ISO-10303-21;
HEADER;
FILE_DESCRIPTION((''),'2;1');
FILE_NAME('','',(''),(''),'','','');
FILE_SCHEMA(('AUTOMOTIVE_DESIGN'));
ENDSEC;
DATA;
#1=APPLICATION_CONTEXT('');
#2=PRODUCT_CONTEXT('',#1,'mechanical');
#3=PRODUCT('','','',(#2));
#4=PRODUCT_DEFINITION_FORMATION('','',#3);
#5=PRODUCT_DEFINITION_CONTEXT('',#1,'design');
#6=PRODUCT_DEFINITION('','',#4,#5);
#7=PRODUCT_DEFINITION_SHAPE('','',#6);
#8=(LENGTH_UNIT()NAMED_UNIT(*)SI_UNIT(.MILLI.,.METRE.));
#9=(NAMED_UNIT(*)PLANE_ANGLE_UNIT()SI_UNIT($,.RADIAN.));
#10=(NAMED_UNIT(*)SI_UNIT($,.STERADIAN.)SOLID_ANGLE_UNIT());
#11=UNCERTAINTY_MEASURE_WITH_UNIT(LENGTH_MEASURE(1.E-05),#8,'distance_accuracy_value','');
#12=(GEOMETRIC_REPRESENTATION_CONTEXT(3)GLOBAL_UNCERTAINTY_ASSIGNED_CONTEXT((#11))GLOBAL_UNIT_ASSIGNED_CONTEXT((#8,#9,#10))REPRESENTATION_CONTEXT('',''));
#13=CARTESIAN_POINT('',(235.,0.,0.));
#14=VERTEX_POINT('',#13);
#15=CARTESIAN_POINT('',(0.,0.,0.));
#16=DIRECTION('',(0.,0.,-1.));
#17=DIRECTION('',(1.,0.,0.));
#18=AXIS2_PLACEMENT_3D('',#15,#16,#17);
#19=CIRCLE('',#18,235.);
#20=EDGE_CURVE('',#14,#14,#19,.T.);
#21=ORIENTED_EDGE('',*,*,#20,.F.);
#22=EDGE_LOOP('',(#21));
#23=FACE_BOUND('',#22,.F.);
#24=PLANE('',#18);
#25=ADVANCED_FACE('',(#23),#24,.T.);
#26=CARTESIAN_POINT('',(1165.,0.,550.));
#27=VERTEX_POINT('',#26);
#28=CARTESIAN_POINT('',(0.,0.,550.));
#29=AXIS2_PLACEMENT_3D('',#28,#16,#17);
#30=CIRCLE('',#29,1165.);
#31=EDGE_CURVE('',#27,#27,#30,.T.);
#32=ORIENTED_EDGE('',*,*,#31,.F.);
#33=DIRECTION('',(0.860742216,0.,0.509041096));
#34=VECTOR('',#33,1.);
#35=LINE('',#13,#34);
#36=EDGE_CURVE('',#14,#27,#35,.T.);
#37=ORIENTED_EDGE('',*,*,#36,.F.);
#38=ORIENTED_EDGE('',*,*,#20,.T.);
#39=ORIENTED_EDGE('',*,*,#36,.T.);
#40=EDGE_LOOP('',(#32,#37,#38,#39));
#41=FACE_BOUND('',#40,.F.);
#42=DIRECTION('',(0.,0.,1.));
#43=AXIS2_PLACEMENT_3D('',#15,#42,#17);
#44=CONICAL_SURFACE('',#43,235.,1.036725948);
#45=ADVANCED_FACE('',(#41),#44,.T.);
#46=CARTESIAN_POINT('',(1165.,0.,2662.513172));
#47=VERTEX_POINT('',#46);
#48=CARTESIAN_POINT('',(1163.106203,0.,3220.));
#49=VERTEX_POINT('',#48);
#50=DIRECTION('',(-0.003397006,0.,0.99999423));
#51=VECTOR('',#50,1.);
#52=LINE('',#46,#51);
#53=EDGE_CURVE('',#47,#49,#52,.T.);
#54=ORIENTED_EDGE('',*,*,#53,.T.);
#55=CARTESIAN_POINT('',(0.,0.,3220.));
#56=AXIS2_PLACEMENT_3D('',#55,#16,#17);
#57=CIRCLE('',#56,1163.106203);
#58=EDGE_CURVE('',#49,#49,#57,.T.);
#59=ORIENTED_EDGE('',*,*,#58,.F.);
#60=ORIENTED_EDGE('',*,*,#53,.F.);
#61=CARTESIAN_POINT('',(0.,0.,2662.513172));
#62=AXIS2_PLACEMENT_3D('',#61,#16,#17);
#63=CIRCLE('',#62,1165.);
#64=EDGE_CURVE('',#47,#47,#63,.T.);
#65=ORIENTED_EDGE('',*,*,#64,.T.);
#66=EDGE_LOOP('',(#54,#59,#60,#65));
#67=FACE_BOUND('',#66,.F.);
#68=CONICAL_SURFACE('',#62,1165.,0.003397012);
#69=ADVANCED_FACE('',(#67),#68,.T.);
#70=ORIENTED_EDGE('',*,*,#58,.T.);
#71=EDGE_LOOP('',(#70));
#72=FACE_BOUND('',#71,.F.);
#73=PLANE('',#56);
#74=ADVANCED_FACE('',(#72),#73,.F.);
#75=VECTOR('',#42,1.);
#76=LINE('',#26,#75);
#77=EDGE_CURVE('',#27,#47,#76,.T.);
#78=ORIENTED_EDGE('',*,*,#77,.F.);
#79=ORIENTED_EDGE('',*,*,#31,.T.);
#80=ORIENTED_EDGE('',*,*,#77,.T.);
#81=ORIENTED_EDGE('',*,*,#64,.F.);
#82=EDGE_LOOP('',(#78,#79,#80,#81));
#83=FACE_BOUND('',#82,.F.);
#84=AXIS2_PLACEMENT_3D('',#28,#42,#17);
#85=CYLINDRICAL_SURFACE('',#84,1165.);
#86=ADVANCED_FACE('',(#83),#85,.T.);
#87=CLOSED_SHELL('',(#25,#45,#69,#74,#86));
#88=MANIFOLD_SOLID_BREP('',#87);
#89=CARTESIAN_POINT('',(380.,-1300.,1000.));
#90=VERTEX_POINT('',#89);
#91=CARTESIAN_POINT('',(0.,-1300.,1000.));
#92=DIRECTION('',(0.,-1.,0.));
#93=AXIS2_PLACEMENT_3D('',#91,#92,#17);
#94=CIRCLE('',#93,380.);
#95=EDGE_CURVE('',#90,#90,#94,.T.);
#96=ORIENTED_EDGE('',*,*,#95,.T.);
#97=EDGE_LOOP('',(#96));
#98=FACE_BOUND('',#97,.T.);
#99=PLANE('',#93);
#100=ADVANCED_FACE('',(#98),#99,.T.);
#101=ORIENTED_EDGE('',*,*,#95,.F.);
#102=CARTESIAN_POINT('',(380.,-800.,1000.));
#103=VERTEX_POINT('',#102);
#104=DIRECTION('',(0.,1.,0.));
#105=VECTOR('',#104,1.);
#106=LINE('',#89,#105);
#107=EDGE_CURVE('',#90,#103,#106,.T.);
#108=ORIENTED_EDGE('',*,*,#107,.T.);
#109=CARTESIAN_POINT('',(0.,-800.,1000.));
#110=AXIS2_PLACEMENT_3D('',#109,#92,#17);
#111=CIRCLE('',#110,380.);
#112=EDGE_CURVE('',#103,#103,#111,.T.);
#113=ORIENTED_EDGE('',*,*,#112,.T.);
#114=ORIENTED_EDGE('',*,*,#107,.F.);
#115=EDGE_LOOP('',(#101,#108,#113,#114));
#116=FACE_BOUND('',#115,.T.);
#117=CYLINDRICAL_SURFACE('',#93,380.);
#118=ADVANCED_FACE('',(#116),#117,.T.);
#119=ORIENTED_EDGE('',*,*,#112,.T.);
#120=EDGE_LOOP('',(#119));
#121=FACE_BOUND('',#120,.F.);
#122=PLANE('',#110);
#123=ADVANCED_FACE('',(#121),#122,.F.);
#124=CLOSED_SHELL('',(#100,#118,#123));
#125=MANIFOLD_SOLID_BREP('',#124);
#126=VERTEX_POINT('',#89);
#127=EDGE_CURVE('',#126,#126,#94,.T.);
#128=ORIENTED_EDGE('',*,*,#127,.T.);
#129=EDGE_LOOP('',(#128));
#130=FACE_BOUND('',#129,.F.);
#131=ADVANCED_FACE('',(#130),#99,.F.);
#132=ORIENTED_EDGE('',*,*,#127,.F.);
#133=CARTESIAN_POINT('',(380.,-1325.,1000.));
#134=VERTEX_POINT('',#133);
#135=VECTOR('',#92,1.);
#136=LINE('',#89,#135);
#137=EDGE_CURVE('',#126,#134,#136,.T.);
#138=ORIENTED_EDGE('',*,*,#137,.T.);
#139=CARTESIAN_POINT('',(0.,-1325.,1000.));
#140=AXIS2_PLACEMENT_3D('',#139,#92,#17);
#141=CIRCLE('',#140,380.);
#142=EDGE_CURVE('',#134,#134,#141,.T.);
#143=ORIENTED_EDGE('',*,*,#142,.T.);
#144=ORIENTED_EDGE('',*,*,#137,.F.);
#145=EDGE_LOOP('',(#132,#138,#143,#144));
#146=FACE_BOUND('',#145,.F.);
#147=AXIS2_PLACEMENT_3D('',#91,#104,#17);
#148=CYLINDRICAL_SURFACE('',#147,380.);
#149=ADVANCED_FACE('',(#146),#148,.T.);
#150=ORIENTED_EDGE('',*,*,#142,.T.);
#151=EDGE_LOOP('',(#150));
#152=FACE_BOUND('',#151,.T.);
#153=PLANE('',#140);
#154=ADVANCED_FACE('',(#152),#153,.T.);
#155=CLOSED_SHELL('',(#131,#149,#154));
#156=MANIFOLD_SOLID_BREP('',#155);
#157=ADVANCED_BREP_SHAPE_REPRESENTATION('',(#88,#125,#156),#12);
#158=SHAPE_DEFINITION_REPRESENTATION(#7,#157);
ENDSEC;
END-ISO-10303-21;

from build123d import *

# Parameters (mm, degrees)
F3_R     = 380
F4_DEPTH = 25
F5_DEPTH = 500


with BuildPart() as f1:
    # F0 (on Front) → F1 (revolve)
    with BuildSketch(Plane.XZ):
        Polygon((0, 3220), (0, 0), (235, 0), (1165, 550), (1165, 2662.513172), (1163.106203, 3220), align=None)
    revolve(axis=Axis((0, 0, 1610), (0, 0, -1)))


with BuildPart() as f4:
    # F3 (on offset) → F4 (new body)
    with BuildSketch(Plane.XZ.offset(1300)):
        with Locations((0, 1000)):
            Circle(F3_R)
    extrude(amount=F4_DEPTH)


with BuildPart() as f5:
    # F3 (on offset) → F5 (new body)
    with BuildSketch(Plane.XZ.offset(1300)):
        with Locations((0, 1000)):
            Circle(F3_R)
    extrude(amount=-F5_DEPTH)


solid = Compound([f1.part, f4.part, f5.part])
